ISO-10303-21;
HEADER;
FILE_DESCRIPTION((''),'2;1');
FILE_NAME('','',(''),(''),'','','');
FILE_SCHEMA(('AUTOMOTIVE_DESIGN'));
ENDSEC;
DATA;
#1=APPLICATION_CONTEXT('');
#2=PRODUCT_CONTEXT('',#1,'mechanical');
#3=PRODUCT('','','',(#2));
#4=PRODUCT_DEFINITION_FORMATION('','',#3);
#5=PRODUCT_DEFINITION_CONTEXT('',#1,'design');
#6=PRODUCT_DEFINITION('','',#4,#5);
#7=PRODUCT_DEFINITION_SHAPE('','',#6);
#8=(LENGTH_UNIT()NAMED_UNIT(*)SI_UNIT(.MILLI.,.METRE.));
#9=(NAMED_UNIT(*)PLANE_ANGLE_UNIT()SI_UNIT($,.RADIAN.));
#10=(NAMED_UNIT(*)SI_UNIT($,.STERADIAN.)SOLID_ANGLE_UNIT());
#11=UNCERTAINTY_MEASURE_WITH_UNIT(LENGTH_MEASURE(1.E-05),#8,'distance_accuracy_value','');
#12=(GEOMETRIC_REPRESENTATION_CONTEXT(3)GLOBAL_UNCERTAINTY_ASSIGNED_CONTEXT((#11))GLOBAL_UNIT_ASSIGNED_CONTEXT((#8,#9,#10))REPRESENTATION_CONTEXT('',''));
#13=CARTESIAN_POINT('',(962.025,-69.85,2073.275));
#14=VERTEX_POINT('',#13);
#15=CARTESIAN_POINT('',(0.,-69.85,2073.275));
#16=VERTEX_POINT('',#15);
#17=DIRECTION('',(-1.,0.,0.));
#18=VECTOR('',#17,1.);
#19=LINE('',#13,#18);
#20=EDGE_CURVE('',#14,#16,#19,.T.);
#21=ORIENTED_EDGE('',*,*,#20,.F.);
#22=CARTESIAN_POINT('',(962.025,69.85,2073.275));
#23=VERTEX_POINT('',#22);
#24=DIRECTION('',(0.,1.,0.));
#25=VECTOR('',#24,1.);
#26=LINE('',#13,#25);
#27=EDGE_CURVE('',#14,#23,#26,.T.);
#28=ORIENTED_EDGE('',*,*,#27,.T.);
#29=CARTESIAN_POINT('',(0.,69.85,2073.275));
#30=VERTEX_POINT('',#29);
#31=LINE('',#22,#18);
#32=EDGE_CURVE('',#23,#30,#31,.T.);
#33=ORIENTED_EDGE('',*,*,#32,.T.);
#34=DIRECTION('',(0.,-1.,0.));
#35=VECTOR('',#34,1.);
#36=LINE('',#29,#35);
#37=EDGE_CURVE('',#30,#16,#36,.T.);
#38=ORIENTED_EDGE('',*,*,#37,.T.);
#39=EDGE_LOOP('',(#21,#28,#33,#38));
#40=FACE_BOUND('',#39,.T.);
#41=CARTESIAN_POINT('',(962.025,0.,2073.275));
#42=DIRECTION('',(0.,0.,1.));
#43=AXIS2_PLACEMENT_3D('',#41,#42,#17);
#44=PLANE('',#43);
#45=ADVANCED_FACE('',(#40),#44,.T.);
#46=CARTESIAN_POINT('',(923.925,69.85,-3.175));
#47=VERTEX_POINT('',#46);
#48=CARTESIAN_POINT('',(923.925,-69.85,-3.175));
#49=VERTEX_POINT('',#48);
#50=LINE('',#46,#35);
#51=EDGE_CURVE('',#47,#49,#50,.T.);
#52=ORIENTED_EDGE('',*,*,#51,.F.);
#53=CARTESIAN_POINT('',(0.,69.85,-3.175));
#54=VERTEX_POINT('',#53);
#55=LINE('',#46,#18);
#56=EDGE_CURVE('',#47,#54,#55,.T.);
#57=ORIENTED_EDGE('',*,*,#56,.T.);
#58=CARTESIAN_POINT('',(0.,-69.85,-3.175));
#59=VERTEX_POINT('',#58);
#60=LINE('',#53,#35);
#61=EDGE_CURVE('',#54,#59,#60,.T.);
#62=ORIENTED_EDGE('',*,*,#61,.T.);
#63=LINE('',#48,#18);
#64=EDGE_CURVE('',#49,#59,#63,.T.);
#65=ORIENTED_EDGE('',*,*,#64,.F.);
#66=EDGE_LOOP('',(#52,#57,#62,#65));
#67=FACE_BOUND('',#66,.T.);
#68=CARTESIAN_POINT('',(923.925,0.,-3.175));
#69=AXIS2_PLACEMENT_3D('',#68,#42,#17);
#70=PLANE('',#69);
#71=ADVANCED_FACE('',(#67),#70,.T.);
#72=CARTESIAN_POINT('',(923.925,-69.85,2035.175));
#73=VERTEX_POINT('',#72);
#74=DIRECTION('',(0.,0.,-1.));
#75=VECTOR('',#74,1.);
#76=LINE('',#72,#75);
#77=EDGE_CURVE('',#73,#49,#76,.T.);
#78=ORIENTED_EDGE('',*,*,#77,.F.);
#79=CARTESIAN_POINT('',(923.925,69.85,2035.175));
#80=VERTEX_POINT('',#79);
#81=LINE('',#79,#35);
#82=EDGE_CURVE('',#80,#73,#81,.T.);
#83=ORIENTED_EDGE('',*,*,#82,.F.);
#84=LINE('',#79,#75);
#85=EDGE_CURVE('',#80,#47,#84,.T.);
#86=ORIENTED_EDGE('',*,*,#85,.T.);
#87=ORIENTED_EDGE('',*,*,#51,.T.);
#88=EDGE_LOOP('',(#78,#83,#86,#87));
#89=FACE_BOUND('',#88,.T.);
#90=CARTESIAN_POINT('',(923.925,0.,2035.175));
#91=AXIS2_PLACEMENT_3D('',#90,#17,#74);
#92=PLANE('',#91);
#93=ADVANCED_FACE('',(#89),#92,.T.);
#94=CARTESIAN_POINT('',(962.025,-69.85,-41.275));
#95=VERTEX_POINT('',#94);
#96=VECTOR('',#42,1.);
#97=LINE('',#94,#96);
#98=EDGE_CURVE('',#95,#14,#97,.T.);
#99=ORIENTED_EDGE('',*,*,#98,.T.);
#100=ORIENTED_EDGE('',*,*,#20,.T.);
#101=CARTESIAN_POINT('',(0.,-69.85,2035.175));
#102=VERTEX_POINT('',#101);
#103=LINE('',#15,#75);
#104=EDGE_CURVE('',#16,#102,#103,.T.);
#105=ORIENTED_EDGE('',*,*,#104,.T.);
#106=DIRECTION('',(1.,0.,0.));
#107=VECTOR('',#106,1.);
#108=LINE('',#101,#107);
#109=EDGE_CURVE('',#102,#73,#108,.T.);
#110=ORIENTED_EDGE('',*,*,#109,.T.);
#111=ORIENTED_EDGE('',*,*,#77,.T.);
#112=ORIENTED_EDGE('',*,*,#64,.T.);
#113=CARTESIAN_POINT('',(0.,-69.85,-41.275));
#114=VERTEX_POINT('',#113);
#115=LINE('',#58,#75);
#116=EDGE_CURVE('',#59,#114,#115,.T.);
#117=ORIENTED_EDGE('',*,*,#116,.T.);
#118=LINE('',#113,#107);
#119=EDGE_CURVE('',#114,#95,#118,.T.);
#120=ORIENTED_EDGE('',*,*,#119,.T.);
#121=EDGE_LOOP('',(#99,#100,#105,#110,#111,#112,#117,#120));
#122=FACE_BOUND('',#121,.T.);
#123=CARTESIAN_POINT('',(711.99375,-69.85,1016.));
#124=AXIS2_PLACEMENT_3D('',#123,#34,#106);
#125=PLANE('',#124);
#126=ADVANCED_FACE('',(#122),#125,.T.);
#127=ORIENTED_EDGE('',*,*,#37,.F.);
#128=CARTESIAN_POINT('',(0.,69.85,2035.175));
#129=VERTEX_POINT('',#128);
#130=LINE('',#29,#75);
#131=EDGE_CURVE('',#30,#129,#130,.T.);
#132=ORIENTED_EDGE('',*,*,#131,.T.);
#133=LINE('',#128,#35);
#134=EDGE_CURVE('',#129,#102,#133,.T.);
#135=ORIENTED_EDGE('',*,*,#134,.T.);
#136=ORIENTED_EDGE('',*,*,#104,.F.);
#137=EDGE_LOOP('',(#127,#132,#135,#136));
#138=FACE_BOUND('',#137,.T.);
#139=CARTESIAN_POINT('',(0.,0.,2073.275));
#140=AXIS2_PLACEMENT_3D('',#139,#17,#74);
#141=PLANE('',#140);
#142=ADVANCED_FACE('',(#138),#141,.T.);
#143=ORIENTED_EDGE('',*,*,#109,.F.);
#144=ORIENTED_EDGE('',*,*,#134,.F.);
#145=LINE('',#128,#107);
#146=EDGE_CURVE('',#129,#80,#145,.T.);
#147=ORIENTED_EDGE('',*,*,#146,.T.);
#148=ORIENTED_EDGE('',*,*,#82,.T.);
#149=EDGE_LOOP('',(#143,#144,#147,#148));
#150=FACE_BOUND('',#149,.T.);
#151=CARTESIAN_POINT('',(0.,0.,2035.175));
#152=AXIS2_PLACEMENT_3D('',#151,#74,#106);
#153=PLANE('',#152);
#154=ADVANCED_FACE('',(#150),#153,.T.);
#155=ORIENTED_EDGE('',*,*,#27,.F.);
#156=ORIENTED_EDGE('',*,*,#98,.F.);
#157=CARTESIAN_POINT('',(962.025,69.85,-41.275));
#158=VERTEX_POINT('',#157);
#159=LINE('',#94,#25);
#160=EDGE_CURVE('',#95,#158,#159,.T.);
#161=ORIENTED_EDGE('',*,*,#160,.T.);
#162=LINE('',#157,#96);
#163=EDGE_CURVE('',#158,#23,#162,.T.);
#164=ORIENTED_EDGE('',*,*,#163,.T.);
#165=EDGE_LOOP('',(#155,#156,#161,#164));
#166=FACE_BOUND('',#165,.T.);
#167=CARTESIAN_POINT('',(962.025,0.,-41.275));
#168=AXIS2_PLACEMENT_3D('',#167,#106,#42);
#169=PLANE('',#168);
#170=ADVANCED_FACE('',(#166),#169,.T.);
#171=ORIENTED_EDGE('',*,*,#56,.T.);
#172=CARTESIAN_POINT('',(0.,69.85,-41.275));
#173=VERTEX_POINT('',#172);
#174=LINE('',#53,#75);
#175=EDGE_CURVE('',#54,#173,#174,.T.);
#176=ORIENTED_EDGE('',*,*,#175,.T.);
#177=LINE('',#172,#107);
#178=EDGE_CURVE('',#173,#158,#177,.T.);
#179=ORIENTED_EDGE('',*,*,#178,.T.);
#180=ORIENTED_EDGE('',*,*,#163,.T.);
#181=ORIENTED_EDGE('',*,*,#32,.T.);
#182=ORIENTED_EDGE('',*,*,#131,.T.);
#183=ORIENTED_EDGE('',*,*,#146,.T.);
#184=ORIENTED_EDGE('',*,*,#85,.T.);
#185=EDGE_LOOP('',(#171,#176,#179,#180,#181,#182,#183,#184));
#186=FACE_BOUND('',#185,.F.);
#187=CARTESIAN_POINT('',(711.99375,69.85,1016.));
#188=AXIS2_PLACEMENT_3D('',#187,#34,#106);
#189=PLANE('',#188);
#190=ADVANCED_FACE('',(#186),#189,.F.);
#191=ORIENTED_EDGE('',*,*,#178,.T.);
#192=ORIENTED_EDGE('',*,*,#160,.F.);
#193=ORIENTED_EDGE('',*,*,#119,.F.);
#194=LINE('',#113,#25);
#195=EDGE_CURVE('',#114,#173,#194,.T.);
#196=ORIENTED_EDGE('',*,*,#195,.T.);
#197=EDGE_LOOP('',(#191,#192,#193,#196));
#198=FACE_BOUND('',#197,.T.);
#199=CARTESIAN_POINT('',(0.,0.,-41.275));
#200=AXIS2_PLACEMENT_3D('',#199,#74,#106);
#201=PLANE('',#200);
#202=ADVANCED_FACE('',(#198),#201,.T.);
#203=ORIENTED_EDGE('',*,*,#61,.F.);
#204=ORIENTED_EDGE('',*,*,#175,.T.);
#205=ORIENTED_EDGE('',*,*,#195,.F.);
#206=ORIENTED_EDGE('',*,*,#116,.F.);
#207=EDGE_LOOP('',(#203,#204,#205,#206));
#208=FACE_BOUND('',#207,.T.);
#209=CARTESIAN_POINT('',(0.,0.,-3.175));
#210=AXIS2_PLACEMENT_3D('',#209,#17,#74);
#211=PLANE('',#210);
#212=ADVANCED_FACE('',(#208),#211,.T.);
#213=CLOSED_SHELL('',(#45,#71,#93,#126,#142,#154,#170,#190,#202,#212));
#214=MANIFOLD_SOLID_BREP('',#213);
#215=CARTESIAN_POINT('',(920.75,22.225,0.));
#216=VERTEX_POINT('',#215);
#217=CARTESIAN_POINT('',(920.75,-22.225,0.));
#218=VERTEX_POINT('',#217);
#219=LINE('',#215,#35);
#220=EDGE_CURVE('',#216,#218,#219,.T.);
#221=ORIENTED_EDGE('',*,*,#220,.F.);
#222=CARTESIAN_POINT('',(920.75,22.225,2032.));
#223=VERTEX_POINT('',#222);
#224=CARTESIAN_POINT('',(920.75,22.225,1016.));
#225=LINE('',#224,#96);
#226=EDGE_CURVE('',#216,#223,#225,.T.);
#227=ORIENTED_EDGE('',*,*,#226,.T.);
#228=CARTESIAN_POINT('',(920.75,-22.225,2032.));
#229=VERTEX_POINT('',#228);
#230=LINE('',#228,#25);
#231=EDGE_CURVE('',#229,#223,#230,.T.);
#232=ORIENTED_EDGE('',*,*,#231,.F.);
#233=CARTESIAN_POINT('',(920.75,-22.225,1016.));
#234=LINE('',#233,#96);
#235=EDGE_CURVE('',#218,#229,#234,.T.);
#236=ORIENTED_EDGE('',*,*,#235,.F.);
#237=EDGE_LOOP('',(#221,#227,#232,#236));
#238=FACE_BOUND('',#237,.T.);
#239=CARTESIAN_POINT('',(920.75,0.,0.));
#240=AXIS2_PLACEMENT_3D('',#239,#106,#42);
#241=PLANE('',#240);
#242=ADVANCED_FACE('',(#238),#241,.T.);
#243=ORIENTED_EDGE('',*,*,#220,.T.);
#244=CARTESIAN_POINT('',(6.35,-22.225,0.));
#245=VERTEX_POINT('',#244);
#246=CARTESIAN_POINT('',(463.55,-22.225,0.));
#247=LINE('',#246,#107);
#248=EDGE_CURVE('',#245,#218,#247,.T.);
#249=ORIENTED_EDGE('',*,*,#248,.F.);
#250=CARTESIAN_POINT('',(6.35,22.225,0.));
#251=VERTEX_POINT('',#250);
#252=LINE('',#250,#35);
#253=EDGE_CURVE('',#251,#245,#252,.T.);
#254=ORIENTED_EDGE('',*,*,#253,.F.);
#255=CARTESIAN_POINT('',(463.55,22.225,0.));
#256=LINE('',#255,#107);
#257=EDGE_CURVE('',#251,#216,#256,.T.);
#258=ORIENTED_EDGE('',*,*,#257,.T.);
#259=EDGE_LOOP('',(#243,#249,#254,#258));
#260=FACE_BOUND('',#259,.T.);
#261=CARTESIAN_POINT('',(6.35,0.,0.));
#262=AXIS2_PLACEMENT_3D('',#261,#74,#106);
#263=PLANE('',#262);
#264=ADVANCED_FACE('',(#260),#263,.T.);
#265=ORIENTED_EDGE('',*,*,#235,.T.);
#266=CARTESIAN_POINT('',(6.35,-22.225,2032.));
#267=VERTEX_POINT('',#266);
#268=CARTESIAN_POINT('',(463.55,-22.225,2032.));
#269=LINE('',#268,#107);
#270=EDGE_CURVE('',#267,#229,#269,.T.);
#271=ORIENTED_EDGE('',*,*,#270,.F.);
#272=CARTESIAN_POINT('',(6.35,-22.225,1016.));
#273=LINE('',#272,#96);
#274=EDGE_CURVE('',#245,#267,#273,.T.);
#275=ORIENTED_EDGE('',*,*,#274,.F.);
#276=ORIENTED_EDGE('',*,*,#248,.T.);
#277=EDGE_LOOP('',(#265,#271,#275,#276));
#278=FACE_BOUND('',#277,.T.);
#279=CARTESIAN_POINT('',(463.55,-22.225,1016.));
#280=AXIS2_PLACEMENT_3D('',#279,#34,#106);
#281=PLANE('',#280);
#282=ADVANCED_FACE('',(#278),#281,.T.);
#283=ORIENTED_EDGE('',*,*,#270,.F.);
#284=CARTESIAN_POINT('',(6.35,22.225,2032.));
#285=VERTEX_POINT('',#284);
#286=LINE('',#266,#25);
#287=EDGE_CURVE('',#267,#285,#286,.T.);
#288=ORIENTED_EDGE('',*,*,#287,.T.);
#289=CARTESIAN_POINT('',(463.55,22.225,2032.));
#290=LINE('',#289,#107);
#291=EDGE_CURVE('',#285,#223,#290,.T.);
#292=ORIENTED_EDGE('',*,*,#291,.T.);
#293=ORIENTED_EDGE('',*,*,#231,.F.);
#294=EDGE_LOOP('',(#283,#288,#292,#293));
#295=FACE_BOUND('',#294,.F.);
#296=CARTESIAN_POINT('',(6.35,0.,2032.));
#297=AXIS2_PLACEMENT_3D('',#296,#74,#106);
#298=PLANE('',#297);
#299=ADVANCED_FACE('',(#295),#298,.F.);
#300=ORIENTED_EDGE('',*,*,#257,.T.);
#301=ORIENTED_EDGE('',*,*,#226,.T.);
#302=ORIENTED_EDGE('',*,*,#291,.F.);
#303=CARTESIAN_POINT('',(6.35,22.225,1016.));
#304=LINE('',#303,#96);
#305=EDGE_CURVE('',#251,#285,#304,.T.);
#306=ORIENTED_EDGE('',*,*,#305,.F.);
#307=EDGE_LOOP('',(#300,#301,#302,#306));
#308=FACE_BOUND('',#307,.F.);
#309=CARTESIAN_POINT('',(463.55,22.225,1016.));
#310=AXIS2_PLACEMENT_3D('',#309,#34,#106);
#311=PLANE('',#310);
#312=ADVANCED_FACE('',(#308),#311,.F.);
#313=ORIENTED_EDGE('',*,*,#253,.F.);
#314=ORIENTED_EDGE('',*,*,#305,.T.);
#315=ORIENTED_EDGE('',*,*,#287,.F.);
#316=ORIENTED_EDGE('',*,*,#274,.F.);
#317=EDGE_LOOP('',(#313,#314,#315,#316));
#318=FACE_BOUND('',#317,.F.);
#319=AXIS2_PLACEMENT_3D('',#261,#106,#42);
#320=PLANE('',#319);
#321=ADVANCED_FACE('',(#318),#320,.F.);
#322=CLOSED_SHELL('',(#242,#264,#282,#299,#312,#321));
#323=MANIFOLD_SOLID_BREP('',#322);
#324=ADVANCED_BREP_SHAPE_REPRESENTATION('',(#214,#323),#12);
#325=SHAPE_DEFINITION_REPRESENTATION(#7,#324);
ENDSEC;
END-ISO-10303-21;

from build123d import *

# Parameters (mm, degrees)
F0_W     = 914.4
F0_H     = 2032
F1_DEPTH = 22.225
F2_DEPTH = 69.85


with BuildPart() as f1:
    # F0 (on Front) → F1 (new body, symmetric)
    with BuildSketch(Plane.XZ):
        with Locations((463.55, 1016)):
            Rectangle(F0_W, F0_H)
    extrude(amount=F1_DEPTH, both=True)


with BuildPart() as f2:
    # F0 (on Front) → F2 (new body, symmetric)
    with BuildSketch(Plane.XZ):
        Polygon((962.025, 2073.275), (0, 2073.275), (0, 2035.175), (923.925, 2035.175), (923.925, -3.175), (0, -3.175), (0, -41.275), (962.025, -41.275), align=None)
    extrude(amount=F2_DEPTH, both=True)


solid = Compound([f1.part, f2.part])
